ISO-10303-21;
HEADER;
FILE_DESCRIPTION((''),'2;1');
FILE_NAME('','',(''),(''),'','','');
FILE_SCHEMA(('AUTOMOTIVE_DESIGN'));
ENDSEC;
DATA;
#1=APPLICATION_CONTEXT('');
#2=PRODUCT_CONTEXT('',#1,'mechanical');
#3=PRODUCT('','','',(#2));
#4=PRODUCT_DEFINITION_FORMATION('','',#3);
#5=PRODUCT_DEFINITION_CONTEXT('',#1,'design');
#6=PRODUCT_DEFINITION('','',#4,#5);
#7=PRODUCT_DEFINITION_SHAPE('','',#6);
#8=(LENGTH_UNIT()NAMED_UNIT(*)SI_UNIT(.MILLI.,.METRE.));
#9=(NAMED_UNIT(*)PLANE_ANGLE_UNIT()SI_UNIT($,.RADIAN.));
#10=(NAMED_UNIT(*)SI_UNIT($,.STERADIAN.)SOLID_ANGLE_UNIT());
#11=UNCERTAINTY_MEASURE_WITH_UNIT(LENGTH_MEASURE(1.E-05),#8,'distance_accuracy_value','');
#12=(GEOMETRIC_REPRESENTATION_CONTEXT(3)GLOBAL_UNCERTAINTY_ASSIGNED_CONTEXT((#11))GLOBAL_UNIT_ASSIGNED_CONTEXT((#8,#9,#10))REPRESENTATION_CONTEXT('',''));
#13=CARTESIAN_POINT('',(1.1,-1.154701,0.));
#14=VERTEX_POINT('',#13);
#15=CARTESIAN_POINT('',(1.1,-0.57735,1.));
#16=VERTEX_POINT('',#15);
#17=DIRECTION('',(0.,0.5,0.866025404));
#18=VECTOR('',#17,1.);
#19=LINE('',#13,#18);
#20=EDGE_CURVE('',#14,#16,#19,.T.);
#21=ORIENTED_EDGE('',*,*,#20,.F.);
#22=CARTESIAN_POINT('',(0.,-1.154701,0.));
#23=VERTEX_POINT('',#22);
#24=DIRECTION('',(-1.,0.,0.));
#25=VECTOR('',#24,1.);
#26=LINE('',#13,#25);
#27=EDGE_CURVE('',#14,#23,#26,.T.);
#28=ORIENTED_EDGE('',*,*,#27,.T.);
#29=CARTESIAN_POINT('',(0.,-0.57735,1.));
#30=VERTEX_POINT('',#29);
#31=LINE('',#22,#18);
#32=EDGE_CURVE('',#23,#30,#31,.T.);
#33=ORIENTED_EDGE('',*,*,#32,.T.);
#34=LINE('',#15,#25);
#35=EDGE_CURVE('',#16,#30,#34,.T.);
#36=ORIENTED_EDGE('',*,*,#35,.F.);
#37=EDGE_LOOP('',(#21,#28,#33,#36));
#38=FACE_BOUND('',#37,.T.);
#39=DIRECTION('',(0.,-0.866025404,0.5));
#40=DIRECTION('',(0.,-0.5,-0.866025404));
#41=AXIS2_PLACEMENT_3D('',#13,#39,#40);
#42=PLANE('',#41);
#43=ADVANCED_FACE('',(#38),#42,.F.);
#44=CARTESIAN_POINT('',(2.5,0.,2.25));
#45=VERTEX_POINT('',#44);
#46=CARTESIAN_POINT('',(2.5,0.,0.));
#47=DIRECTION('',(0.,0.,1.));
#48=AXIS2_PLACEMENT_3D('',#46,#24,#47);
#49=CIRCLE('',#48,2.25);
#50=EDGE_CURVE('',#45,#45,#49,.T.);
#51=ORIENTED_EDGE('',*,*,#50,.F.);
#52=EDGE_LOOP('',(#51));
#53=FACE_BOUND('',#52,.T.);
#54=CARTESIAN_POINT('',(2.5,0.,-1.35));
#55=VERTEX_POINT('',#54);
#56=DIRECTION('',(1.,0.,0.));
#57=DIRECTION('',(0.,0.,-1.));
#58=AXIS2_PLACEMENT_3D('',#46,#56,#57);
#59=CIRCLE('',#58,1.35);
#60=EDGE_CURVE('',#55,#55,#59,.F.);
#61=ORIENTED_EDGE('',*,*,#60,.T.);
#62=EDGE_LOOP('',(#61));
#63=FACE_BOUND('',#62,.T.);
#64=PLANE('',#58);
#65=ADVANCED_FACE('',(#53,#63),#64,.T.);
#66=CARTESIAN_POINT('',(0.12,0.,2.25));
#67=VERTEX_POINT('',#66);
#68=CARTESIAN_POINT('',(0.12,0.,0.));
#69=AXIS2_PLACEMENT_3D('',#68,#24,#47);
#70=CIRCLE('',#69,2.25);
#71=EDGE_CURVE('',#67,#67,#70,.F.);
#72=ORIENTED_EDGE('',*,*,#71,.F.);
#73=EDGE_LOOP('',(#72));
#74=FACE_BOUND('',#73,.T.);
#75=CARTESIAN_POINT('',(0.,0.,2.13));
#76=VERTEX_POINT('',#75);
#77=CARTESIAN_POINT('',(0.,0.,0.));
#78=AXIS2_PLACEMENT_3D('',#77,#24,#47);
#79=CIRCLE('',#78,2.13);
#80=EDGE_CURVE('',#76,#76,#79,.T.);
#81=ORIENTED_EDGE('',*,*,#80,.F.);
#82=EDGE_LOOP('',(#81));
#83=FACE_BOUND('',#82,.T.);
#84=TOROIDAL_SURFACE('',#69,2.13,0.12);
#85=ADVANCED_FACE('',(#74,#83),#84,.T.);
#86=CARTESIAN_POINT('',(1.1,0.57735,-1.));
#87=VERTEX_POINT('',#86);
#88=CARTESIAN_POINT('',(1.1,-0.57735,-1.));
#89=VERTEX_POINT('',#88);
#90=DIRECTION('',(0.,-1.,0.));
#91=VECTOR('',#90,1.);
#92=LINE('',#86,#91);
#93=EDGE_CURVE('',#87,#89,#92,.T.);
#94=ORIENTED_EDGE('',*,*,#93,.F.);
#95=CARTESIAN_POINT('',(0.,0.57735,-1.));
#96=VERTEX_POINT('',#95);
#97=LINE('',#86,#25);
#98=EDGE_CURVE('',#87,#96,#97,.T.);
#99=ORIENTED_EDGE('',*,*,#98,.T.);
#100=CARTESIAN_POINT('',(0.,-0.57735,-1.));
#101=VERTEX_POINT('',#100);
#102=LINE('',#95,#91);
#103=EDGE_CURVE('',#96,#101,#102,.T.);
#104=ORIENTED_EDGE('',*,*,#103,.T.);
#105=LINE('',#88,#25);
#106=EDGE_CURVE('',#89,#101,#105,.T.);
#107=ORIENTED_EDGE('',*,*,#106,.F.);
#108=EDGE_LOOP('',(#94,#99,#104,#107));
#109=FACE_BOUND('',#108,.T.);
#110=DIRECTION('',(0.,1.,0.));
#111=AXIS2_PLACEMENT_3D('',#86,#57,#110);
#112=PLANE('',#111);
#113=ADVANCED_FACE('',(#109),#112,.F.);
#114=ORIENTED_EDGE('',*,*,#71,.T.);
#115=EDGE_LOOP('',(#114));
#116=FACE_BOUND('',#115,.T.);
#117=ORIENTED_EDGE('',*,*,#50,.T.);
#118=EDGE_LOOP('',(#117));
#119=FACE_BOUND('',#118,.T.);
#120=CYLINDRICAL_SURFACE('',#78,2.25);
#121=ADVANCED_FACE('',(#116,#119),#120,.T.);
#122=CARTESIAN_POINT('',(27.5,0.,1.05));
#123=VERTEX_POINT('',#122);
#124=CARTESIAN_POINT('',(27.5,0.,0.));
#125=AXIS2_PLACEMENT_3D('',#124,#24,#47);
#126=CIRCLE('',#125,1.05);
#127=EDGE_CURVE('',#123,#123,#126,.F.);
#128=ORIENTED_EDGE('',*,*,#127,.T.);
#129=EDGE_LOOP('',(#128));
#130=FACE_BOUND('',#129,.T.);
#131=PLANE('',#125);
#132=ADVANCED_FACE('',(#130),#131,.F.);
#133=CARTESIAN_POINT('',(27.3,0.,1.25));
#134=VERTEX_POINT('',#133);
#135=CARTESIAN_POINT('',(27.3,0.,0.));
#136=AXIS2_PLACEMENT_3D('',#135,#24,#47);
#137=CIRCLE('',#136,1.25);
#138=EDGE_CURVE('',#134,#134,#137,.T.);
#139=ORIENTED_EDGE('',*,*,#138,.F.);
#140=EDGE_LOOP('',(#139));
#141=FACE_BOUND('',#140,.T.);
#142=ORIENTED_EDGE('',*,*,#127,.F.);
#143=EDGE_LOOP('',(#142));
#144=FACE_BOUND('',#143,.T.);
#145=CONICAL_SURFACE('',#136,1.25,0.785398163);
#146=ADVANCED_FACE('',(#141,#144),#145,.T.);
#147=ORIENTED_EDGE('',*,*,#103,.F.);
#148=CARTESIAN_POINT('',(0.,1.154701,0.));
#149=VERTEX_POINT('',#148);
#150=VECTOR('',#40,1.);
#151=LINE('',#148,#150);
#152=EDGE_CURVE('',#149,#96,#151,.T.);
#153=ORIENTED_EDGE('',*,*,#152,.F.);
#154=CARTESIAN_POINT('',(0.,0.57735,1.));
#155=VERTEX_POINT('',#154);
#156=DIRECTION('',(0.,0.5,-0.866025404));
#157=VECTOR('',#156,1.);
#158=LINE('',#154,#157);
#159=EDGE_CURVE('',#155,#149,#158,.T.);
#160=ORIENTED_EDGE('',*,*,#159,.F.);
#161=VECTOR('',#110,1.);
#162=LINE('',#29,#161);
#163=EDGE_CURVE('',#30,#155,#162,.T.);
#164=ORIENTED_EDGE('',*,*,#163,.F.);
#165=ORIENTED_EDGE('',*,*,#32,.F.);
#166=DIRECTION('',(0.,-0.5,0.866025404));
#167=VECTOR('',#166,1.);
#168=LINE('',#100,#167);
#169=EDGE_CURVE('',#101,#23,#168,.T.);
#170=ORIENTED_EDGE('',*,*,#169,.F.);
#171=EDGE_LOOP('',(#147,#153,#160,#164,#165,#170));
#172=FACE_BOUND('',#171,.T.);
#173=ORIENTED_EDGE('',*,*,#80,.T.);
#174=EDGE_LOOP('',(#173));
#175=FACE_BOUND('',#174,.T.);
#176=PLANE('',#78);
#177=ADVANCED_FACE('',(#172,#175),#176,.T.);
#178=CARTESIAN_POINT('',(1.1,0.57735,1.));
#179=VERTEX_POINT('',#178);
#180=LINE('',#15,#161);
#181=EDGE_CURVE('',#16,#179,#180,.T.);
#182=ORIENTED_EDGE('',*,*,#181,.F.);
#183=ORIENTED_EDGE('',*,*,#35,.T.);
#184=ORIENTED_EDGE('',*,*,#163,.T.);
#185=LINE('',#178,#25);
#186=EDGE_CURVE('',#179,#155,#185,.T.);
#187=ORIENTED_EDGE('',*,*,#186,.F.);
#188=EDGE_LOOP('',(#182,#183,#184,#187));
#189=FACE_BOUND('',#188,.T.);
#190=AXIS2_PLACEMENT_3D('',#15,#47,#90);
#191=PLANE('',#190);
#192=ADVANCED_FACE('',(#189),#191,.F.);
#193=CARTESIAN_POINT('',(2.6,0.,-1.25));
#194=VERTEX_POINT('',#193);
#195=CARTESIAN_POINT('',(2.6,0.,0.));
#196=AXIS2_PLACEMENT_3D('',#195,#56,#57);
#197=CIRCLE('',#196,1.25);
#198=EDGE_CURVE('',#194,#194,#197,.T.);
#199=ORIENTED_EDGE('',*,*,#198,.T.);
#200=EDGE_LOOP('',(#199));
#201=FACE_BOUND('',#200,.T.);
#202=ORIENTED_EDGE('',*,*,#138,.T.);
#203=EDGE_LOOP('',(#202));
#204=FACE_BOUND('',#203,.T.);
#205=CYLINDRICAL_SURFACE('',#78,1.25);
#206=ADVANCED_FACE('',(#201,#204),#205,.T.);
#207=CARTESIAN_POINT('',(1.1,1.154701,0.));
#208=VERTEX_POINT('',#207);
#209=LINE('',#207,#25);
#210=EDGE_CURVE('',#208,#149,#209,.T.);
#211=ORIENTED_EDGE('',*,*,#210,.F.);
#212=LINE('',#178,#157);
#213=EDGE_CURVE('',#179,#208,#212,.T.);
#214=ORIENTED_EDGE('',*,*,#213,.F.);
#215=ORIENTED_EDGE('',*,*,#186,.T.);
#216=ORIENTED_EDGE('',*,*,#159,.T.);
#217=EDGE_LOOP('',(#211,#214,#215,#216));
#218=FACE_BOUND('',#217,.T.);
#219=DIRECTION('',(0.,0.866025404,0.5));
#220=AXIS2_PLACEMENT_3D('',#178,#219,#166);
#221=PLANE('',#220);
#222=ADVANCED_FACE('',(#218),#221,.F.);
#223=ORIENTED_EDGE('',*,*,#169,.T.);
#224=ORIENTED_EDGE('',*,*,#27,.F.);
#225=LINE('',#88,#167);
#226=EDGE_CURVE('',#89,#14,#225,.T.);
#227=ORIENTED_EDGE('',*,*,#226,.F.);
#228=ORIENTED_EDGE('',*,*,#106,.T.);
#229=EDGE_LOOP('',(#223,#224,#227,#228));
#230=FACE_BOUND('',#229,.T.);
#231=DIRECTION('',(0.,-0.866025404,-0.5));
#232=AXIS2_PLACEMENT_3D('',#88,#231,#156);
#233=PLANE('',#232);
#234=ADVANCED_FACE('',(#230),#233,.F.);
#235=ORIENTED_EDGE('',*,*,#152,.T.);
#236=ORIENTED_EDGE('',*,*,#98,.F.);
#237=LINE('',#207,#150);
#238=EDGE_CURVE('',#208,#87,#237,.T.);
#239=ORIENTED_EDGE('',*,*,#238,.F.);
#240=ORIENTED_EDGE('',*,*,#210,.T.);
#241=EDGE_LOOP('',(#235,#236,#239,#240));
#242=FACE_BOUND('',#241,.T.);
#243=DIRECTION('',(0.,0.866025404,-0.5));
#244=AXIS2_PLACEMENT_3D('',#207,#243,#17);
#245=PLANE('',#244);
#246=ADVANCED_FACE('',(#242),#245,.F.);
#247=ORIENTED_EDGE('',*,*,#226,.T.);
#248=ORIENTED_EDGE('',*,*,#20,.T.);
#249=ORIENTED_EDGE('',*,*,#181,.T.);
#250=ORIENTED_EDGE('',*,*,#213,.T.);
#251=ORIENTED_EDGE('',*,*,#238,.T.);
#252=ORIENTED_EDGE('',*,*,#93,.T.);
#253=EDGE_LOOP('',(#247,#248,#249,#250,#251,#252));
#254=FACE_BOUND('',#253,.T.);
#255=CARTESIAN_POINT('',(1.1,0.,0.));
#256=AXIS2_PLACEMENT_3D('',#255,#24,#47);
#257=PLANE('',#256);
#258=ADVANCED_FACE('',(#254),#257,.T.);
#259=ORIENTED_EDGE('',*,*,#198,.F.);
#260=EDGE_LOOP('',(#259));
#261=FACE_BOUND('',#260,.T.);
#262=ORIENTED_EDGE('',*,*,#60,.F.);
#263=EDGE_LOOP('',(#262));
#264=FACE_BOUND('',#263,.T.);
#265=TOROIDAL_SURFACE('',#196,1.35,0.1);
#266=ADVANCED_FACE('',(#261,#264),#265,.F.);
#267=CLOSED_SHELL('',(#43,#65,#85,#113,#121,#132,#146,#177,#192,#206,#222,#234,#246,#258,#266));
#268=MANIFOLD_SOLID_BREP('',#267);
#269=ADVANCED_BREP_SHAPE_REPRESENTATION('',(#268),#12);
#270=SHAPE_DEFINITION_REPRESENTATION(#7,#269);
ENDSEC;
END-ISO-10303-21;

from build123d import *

# Parameters (mm, degrees)
FILLET1_R      = 0.1
FILLET2_R      = 0.12
CHAMFER1_SIZE  = 0.2
EXTRUDE1_DEPTH = 1.1


with BuildPart() as part:
    # Sketch1 → Revolve1 (revolve)
    with BuildSketch(Plane.XY, mode=Mode.PRIVATE) as revolve1_sk:
        Polygon((2.5, 1.25), (2.5, 0), (4.279914881, 0), (27.5, 0), (27.5, 1.25), align=None)
        Polygon((0, 2.25), (0, 0), (2.5, 0), (2.5, 1.25), (2.5, 2.25), align=None)
    revolve(revolve1_sk.sketch.rotate(Axis((0, 0, 0), (1, 0, 0)), 90), axis=Axis((0, 0, 0), (1, 0, 0)))

    # Fillet1
    fillet1_edges = [part.edges().sort_by_distance(p)[0] for p in [
        (2.5, 0, -1.25),
    ]]
    fillet(fillet1_edges, radius=FILLET1_R)

    # Fillet2
    fillet2_edges = [part.edges().sort_by_distance(p)[0] for p in [
        (0, 0, -2.25),
    ]]
    fillet(fillet2_edges, radius=FILLET2_R)

    # Chamfer1
    chamfer1_edges = [part.edges().sort_by_distance(p)[0] for p in [
        (27.5, 0, -1.25),
    ]]
    chamfer(chamfer1_edges, length=CHAMFER1_SIZE)

    # Sketch2 → Extrude1 (cut)
    with BuildSketch(Plane.ZY):
        Polygon((0, 1.154700538), (-1, 0.577350269), (-1, -0.577350269), (0, -1.154700538), (1, -0.577350269), (1, 0.577350269), align=None)
    extrude(amount=-EXTRUDE1_DEPTH, mode=Mode.SUBTRACT)


solid = part.part
